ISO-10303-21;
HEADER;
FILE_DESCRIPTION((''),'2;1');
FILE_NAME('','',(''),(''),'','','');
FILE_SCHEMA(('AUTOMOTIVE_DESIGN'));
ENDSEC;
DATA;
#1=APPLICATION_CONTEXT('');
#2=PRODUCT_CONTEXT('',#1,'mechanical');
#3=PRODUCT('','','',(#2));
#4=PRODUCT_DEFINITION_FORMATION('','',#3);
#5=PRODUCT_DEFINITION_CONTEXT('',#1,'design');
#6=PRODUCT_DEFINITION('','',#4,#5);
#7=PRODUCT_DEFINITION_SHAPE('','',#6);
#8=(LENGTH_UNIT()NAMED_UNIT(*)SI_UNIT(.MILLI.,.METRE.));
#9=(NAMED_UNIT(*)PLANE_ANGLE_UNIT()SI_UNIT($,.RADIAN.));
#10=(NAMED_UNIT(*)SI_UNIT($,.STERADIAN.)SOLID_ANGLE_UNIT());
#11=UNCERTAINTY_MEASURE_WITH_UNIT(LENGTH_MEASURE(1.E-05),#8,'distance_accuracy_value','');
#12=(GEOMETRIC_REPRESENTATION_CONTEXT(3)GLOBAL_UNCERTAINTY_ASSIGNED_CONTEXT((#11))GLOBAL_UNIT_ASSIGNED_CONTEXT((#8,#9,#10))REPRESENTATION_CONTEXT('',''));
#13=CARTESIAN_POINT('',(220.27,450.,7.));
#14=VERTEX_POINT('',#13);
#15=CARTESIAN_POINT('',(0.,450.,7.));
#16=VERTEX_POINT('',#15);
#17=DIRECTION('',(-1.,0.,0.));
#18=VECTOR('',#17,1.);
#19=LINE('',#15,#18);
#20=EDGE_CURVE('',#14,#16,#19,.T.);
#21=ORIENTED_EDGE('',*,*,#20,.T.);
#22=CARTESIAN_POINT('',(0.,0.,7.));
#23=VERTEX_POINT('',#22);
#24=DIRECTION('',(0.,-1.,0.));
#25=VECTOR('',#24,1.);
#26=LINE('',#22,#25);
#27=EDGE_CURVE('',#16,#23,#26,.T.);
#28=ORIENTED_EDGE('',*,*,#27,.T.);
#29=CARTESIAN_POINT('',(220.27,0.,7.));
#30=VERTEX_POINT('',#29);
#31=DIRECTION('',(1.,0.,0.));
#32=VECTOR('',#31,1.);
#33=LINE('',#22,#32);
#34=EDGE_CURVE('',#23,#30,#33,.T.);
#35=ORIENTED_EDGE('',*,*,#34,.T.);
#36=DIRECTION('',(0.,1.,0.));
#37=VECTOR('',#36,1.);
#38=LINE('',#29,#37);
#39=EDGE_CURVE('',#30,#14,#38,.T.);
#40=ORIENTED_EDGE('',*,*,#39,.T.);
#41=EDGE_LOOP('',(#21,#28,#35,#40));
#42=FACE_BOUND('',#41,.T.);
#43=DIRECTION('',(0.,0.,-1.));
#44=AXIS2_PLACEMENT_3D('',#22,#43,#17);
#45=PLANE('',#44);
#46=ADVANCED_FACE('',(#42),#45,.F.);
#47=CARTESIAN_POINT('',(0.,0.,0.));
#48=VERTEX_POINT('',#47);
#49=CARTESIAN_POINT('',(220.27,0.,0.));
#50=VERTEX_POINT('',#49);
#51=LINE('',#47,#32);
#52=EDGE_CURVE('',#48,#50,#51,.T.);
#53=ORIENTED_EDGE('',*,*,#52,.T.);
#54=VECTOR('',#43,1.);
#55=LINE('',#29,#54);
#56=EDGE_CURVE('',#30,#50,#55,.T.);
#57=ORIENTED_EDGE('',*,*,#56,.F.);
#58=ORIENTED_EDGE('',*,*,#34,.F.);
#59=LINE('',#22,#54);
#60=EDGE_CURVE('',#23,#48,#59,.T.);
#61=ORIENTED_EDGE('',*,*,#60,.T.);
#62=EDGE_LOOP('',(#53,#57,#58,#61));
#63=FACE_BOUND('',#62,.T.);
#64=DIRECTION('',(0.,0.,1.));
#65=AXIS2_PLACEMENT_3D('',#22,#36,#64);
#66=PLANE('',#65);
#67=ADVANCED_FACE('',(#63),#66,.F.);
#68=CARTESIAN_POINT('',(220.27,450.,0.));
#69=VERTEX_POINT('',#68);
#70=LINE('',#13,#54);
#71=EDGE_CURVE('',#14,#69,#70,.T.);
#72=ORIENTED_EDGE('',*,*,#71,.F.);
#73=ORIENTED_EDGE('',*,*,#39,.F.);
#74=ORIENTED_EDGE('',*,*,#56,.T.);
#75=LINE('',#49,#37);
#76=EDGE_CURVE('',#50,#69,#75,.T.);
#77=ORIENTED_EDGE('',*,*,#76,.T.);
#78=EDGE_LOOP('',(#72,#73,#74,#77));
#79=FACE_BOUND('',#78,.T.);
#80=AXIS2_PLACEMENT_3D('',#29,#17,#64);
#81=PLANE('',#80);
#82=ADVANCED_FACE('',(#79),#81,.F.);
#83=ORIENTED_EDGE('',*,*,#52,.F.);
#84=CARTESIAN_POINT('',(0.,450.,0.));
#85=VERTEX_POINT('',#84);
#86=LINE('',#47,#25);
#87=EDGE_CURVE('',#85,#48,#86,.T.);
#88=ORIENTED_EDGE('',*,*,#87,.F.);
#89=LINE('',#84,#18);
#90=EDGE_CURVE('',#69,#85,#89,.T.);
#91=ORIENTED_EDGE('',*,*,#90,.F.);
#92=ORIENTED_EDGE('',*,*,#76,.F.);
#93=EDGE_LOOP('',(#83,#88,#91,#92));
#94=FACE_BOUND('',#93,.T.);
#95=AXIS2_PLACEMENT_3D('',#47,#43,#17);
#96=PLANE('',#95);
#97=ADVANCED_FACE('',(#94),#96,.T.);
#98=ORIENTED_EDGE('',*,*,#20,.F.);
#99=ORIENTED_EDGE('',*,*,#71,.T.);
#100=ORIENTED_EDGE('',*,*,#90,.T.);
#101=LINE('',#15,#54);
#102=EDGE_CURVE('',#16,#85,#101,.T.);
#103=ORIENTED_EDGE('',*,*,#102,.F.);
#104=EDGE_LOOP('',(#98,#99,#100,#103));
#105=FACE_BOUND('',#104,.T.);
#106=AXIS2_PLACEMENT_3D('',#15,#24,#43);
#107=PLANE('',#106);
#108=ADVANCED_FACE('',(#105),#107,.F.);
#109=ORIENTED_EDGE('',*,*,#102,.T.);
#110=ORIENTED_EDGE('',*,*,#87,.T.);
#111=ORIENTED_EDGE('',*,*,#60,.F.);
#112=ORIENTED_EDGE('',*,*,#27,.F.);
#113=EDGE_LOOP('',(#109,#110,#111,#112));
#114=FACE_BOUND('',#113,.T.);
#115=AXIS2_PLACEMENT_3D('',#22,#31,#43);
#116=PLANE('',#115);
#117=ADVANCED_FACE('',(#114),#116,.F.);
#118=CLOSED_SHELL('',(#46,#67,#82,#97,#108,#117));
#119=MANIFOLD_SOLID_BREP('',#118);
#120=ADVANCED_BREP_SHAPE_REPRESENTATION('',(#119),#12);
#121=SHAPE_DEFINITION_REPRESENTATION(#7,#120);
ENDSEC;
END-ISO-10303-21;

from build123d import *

# Parameters (mm, degrees)
SZKIC1_W                    = 220.27
SZKIC1_H                    = 450
DODANIE_WYCI_GNI_CIE1_DEPTH = 7


with BuildPart() as part:
    # Szkic1 → Dodanie-wyciągnięcie1 (new body)
    with BuildSketch(Plane.XY):
        with Locations((110.135, 225)):
            Rectangle(SZKIC1_W, SZKIC1_H)
    extrude(amount=DODANIE_WYCI_GNI_CIE1_DEPTH)


solid = part.part
